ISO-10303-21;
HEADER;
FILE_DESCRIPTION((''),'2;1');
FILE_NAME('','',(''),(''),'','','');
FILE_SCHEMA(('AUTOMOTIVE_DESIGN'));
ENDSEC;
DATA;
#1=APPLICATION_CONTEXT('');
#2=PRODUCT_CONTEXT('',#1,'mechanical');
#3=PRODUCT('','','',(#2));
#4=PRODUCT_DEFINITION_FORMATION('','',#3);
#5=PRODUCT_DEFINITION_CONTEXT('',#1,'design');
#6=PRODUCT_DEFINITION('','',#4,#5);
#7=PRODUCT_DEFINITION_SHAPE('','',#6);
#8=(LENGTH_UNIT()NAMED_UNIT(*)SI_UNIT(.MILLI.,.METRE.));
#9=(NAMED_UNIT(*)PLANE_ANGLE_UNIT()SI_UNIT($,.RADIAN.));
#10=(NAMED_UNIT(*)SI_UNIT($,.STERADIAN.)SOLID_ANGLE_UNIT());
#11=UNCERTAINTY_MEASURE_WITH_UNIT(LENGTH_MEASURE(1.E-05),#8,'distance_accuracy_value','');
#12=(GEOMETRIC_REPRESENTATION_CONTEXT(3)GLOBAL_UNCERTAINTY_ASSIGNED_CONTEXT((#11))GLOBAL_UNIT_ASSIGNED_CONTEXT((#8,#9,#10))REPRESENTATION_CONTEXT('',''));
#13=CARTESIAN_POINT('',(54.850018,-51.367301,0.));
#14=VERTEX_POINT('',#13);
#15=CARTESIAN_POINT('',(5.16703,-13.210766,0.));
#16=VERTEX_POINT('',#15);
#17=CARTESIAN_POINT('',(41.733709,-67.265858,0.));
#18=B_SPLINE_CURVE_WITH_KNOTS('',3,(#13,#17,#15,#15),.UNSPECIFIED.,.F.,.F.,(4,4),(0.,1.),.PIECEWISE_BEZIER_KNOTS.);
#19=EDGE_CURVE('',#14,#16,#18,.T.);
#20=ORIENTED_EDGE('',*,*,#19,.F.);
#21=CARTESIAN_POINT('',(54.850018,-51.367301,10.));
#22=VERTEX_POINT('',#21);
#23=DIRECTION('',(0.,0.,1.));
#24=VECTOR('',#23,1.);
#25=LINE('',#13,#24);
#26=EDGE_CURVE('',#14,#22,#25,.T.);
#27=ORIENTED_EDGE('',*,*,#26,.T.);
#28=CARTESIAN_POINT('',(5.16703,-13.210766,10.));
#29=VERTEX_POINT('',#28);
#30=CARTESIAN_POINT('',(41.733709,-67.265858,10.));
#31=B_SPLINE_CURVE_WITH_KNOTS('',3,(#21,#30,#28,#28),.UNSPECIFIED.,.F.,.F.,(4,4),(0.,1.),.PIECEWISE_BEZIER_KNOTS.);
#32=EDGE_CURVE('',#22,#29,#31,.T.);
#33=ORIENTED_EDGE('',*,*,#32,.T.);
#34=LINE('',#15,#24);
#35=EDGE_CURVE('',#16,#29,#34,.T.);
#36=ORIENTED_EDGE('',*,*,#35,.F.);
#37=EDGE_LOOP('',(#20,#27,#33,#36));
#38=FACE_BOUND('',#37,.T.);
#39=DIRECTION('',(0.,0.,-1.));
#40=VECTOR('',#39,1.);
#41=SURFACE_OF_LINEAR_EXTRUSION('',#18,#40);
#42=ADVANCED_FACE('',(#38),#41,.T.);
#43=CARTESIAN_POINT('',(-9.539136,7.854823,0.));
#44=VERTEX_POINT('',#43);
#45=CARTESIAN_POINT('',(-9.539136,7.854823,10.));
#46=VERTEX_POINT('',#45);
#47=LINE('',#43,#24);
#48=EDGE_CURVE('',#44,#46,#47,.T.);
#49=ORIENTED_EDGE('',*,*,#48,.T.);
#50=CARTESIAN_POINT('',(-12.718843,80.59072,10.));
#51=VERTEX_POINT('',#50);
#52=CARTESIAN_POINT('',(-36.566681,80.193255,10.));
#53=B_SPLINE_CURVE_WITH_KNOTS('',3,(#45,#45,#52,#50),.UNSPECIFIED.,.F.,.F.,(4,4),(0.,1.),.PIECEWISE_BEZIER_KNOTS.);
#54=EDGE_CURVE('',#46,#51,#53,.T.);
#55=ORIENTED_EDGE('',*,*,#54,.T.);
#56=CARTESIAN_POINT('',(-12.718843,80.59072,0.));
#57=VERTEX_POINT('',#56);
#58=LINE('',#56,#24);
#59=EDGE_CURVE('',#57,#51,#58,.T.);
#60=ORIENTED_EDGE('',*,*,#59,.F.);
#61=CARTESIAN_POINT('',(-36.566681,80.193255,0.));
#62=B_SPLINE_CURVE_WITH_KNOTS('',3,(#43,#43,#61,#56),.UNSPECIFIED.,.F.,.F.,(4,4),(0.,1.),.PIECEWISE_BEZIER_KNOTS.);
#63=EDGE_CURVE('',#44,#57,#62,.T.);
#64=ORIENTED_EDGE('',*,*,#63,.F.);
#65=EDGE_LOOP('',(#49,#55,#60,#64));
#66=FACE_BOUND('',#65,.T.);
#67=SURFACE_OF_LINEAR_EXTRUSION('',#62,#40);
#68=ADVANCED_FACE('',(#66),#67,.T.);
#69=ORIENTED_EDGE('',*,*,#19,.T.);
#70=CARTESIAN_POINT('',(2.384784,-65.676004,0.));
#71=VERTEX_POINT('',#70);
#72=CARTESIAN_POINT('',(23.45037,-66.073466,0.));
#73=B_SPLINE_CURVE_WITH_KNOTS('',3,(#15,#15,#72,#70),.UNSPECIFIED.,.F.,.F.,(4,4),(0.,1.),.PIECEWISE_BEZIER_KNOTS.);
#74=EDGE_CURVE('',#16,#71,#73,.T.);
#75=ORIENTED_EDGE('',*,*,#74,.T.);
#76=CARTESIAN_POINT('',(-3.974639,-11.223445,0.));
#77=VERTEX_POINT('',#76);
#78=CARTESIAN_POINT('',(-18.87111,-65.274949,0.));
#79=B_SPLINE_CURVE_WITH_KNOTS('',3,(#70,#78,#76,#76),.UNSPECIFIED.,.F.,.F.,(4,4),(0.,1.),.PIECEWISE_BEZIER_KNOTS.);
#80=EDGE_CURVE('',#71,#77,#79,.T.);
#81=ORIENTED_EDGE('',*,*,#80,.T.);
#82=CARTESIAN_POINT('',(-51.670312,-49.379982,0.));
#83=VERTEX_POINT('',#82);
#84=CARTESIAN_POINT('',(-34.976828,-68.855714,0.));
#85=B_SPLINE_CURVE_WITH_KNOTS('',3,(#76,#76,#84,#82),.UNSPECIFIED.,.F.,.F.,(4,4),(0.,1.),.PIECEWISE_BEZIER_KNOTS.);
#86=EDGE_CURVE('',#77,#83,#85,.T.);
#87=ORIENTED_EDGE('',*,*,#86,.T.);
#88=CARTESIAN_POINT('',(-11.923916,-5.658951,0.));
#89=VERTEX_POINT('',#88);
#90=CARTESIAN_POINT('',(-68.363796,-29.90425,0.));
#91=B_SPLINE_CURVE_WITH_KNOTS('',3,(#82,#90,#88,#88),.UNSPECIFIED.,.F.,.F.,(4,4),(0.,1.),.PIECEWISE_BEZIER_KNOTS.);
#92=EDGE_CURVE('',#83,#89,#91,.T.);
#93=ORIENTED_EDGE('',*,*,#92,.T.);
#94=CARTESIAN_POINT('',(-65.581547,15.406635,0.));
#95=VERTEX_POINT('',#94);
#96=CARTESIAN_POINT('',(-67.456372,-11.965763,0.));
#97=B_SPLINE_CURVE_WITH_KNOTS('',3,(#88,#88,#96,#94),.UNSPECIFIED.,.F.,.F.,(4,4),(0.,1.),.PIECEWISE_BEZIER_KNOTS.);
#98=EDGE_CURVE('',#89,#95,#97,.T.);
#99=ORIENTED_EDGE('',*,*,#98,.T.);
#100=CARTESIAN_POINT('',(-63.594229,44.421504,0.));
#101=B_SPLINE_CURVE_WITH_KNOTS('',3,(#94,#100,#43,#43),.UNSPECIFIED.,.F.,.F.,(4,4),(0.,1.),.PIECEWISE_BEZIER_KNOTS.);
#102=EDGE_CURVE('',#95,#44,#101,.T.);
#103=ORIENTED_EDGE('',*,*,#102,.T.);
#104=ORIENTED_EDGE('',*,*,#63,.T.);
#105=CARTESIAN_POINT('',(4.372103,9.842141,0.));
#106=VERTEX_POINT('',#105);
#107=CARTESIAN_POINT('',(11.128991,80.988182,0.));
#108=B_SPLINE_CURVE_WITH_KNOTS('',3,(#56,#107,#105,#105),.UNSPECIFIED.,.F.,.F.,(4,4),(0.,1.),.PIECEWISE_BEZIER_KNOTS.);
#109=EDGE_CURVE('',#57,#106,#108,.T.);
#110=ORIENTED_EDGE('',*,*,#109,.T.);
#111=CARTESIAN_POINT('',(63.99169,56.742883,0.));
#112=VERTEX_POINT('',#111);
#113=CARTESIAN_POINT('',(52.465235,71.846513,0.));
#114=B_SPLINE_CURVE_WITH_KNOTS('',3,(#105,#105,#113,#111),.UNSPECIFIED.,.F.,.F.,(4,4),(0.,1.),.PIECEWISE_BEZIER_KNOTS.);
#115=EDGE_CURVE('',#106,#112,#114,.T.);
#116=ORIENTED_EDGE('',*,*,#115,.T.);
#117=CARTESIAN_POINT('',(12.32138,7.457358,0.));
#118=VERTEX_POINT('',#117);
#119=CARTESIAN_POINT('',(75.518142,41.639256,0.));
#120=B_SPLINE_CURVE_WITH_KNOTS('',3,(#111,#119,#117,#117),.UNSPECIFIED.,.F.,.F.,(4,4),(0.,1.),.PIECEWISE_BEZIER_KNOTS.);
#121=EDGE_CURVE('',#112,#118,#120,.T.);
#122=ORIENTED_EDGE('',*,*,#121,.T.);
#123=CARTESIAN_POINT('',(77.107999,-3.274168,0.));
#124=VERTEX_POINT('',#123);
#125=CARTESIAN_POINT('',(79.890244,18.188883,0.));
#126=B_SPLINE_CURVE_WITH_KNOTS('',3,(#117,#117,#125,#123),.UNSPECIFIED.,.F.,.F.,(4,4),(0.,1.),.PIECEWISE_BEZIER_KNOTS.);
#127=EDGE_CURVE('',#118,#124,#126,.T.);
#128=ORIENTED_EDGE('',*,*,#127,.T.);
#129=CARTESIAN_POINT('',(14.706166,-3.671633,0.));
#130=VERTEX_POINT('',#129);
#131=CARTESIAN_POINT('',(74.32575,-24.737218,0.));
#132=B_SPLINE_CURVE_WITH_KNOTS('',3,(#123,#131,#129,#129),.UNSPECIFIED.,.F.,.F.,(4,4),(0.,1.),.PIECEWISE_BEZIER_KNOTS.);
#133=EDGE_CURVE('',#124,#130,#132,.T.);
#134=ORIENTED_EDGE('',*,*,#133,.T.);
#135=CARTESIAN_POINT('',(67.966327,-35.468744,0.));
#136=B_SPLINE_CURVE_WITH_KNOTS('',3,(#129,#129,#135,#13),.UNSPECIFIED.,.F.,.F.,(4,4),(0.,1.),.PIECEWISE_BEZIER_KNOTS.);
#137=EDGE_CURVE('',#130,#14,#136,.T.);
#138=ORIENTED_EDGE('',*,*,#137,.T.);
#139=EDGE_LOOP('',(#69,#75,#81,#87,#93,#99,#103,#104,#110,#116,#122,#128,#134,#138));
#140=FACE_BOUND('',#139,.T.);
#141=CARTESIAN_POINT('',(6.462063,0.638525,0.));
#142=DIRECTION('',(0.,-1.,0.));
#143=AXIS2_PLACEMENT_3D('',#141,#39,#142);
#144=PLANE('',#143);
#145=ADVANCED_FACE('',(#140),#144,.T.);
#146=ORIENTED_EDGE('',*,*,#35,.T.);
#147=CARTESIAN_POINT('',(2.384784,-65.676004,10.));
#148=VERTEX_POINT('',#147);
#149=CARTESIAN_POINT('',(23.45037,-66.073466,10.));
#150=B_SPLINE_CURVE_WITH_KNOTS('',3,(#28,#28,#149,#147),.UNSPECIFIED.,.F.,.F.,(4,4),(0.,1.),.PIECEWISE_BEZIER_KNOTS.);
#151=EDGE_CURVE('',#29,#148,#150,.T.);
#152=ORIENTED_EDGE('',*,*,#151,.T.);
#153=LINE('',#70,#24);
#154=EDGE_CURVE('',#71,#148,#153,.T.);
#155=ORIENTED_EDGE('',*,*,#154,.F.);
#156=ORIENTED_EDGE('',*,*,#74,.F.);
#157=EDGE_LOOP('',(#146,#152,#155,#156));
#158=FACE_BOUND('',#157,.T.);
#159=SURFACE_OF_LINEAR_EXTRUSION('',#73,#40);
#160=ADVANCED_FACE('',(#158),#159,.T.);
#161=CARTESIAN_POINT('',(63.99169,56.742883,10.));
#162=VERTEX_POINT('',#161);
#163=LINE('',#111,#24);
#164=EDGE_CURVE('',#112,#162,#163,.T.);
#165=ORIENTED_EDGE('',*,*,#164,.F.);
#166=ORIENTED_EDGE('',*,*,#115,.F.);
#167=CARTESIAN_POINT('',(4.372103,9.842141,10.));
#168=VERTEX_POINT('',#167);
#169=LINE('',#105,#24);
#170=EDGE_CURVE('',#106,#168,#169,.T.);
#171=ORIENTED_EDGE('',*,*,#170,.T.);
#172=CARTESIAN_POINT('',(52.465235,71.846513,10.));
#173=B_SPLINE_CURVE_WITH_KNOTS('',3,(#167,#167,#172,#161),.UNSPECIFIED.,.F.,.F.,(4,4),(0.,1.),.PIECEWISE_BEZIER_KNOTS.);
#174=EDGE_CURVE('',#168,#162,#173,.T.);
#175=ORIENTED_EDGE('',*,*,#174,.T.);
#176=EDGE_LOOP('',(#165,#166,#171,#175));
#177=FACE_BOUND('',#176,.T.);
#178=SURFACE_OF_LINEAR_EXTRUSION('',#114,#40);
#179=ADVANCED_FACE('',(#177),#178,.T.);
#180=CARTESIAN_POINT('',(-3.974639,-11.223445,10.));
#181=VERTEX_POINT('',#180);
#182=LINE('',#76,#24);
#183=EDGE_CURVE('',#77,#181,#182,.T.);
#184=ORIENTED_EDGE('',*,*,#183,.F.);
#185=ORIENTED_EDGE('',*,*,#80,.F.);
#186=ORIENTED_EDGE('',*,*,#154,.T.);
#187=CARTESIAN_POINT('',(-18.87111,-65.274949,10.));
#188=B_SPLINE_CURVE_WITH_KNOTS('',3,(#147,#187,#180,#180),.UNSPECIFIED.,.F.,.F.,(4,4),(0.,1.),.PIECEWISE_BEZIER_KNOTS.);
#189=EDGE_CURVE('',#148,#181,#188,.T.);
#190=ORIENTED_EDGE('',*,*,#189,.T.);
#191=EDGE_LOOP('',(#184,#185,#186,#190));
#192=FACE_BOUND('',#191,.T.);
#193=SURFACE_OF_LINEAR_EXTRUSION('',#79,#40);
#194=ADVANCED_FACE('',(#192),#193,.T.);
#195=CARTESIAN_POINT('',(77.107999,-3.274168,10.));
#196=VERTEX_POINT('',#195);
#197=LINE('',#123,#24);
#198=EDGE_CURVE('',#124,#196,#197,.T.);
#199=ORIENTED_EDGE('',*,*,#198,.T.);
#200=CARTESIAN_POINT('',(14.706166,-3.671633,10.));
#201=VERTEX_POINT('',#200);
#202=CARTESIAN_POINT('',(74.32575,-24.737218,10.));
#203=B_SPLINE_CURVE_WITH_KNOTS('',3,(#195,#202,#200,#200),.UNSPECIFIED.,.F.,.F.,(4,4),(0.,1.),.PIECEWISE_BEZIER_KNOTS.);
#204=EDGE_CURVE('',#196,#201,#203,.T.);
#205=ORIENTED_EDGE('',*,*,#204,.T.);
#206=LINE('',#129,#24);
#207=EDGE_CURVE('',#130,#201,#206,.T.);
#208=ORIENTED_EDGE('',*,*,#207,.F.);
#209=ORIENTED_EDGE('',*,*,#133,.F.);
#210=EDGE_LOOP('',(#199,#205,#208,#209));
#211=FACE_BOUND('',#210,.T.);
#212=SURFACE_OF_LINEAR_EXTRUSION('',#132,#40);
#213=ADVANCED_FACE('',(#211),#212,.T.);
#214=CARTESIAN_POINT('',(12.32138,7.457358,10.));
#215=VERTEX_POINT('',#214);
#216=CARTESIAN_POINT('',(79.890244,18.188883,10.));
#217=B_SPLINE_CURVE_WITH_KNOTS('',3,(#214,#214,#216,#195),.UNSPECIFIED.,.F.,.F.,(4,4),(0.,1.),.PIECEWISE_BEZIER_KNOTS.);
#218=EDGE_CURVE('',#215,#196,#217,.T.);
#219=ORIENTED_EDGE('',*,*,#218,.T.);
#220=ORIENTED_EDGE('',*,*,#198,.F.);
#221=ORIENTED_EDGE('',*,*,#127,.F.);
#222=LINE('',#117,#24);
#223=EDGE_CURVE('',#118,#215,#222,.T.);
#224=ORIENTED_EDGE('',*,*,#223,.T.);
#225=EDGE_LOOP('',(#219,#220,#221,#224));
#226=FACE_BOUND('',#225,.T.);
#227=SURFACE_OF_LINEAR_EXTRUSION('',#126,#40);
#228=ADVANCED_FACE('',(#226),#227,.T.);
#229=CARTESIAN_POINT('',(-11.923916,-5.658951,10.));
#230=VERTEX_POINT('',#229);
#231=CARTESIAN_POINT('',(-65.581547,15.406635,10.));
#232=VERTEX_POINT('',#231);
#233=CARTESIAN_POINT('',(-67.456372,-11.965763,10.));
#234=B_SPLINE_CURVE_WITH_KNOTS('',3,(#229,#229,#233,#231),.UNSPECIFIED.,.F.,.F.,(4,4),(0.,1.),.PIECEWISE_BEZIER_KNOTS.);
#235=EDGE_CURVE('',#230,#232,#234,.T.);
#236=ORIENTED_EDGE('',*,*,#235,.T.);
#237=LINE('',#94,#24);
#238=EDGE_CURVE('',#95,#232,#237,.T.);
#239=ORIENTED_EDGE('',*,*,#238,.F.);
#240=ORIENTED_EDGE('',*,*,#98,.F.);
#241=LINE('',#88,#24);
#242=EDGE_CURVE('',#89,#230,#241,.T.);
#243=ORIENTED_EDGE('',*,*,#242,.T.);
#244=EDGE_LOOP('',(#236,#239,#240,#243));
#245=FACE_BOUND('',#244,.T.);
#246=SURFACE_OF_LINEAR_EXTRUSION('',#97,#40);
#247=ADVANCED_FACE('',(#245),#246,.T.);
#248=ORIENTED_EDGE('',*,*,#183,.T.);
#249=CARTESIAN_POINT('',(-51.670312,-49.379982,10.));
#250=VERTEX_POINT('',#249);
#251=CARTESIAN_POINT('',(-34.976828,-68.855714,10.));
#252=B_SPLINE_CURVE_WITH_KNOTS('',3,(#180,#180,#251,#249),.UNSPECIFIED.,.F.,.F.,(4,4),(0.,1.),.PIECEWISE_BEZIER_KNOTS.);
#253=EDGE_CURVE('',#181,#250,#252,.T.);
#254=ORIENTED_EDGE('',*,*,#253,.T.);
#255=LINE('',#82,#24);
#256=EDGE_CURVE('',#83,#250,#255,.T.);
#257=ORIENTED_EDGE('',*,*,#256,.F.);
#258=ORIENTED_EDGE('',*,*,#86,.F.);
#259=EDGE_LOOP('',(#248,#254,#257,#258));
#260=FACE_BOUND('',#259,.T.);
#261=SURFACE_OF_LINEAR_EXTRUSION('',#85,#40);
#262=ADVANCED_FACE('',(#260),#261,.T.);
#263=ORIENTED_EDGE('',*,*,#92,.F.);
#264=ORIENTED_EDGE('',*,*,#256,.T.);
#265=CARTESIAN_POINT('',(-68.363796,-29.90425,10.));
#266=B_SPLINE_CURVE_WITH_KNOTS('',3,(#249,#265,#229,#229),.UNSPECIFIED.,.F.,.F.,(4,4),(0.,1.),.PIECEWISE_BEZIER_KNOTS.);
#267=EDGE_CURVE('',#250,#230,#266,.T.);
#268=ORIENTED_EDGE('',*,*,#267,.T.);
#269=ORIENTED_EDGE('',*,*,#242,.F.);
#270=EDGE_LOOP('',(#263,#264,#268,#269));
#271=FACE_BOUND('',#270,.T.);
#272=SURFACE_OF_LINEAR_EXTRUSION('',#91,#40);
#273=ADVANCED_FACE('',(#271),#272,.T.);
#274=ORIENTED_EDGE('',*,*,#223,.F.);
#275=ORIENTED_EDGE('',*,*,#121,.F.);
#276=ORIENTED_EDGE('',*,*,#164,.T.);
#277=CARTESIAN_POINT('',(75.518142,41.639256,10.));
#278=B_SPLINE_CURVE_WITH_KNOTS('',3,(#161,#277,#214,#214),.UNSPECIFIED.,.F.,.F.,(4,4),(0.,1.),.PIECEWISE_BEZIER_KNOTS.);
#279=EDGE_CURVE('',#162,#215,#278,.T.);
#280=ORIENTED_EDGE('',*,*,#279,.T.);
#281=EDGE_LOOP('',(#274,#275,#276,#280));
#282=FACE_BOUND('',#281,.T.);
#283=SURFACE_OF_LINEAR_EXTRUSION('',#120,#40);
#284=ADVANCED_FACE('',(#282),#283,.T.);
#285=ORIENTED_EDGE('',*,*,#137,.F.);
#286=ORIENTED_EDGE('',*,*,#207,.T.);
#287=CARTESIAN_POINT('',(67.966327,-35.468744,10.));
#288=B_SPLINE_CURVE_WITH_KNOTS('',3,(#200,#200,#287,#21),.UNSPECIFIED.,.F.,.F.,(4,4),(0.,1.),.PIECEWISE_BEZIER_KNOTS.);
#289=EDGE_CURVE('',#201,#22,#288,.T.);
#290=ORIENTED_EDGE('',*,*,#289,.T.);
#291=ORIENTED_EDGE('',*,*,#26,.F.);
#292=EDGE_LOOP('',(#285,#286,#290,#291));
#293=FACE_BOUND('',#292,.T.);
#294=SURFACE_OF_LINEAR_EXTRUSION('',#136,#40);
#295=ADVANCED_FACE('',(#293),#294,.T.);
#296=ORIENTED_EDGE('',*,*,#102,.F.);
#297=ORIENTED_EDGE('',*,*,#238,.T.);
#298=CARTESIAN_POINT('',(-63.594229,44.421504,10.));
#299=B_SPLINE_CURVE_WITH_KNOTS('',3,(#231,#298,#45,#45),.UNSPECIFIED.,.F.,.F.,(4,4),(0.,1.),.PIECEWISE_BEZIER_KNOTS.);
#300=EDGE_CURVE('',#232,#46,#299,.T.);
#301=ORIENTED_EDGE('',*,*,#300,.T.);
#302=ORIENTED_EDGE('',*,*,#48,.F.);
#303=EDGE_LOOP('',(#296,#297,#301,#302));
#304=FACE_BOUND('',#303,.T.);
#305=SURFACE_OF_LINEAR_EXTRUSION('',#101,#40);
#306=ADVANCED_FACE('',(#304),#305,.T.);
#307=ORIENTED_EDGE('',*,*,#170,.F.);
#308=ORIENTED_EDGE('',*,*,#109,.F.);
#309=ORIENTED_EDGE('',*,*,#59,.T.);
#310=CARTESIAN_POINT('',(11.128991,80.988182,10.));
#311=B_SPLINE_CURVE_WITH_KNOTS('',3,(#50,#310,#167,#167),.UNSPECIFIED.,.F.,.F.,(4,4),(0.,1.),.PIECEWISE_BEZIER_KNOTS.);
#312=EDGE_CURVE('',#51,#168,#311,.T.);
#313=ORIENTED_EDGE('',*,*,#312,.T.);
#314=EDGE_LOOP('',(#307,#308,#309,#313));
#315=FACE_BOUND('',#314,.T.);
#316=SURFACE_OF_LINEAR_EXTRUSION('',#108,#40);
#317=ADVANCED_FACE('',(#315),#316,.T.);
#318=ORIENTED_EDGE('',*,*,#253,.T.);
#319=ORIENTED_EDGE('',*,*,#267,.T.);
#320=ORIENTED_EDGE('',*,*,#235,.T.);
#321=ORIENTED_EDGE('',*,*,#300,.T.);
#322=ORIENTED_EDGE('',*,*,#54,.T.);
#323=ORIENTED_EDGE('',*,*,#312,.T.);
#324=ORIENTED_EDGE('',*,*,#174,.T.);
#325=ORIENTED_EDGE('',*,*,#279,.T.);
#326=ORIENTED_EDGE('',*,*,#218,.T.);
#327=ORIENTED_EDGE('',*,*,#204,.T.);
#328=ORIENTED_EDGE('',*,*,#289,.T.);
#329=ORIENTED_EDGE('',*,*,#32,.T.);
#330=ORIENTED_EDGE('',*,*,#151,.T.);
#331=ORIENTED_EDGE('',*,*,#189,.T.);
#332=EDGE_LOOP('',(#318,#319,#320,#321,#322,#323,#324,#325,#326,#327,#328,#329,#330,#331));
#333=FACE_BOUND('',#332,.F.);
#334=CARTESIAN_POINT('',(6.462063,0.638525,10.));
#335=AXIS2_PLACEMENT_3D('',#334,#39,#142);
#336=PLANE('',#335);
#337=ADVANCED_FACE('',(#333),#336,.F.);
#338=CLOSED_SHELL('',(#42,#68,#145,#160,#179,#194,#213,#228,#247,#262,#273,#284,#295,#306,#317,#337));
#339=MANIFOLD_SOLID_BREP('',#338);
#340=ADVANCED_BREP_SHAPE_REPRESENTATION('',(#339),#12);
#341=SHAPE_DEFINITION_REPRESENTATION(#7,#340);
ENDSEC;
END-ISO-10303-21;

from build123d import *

# Parameters (mm, degrees)
EXTRUDE_DEPTH = 10


with BuildPart() as part:
    # path4138 → Extrude (new body)
    with BuildSketch(Plane(origin=(6.216936, 7.457358, 0), x_dir=(0, -1, 0), z_dir=(0, 0, -1))):
        with BuildLine():
            add(Edge.make_bspline(
                [(-0.397465, 15.756072), (-0.397465, 15.756072), (-72.735897, 42.783617), (-73.133362, 18.935779)],
                knots=[0, 0, 0, 0, 1, 1, 1, 1], degree=3))
            add(Edge.make_bspline(
                [(-73.133362, 18.935779), (-73.530824, -4.912055), (-2.384783, 1.844833), (-2.384783, 1.844833)],
                knots=[0, 0, 0, 0, 1, 1, 1, 1], degree=3))
            add(Edge.make_bspline(
                [(-2.384783, 1.844833), (-2.384783, 1.844833), (-64.389155, -46.248299), (-49.285525, -57.774754)],
                knots=[0, 0, 0, 0, 1, 1, 1, 1], degree=3))
            add(Edge.make_bspline(
                [(-49.285525, -57.774754), (-34.181898, -69.301206), (0, -6.104444), (0, -6.104444)],
                knots=[0, 0, 0, 0, 1, 1, 1, 1], degree=3))
            add(Edge.make_bspline(
                [(0, -6.104444), (0, -6.104444), (-10.731525, -73.673308), (10.731526, -70.891063)],
                knots=[0, 0, 0, 0, 1, 1, 1, 1], degree=3))
            add(Edge.make_bspline(
                [(10.731526, -70.891063), (32.194576, -68.108814), (11.128991, -8.48923), (11.128991, -8.48923)],
                knots=[0, 0, 0, 0, 1, 1, 1, 1], degree=3))
            add(Edge.make_bspline(
                [(11.128991, -8.48923), (11.128991, -8.48923), (42.926102, -61.749391), (58.824659, -48.633082)],
                knots=[0, 0, 0, 0, 1, 1, 1, 1], degree=3))
            add(Edge.make_bspline(
                [(58.824659, -48.633082), (74.723216, -35.516773), (20.668124, 1.049906), (20.668124, 1.049906)],
                knots=[0, 0, 0, 0, 1, 1, 1, 1], degree=3))
            add(Edge.make_bspline(
                [(20.668124, 1.049906), (20.668124, 1.049906), (73.530824, -17.233434), (73.133362, 3.832152)],
                knots=[0, 0, 0, 0, 1, 1, 1, 1], degree=3))
            add(Edge.make_bspline(
                [(73.133362, 3.832152), (72.732307, 25.088046), (18.680803, 10.191575), (18.680803, 10.191575)],
                knots=[0, 0, 0, 0, 1, 1, 1, 1], degree=3))
            add(Edge.make_bspline(
                [(18.680803, 10.191575), (18.680803, 10.191575), (76.313072, 41.193764), (56.83734, 57.887248)],
                knots=[0, 0, 0, 0, 1, 1, 1, 1], degree=3))
            add(Edge.make_bspline(
                [(56.83734, 57.887248), (37.361608, 74.580732), (13.116309, 18.140852), (13.116309, 18.140852)],
                knots=[0, 0, 0, 0, 1, 1, 1, 1], degree=3))
            add(Edge.make_bspline(
                [(13.116309, 18.140852), (13.116309, 18.140852), (19.423121, 73.673308), (-7.949277, 71.798483)],
                knots=[0, 0, 0, 0, 1, 1, 1, 1], degree=3))
            add(Edge.make_bspline(
                [(-7.949277, 71.798483), (-36.964146, 69.811165), (-0.397465, 15.756072), (-0.397465, 15.756072)],
                knots=[0, 0, 0, 0, 1, 1, 1, 1], degree=3))
        make_face()
    extrude(amount=-EXTRUDE_DEPTH)


solid = part.part
